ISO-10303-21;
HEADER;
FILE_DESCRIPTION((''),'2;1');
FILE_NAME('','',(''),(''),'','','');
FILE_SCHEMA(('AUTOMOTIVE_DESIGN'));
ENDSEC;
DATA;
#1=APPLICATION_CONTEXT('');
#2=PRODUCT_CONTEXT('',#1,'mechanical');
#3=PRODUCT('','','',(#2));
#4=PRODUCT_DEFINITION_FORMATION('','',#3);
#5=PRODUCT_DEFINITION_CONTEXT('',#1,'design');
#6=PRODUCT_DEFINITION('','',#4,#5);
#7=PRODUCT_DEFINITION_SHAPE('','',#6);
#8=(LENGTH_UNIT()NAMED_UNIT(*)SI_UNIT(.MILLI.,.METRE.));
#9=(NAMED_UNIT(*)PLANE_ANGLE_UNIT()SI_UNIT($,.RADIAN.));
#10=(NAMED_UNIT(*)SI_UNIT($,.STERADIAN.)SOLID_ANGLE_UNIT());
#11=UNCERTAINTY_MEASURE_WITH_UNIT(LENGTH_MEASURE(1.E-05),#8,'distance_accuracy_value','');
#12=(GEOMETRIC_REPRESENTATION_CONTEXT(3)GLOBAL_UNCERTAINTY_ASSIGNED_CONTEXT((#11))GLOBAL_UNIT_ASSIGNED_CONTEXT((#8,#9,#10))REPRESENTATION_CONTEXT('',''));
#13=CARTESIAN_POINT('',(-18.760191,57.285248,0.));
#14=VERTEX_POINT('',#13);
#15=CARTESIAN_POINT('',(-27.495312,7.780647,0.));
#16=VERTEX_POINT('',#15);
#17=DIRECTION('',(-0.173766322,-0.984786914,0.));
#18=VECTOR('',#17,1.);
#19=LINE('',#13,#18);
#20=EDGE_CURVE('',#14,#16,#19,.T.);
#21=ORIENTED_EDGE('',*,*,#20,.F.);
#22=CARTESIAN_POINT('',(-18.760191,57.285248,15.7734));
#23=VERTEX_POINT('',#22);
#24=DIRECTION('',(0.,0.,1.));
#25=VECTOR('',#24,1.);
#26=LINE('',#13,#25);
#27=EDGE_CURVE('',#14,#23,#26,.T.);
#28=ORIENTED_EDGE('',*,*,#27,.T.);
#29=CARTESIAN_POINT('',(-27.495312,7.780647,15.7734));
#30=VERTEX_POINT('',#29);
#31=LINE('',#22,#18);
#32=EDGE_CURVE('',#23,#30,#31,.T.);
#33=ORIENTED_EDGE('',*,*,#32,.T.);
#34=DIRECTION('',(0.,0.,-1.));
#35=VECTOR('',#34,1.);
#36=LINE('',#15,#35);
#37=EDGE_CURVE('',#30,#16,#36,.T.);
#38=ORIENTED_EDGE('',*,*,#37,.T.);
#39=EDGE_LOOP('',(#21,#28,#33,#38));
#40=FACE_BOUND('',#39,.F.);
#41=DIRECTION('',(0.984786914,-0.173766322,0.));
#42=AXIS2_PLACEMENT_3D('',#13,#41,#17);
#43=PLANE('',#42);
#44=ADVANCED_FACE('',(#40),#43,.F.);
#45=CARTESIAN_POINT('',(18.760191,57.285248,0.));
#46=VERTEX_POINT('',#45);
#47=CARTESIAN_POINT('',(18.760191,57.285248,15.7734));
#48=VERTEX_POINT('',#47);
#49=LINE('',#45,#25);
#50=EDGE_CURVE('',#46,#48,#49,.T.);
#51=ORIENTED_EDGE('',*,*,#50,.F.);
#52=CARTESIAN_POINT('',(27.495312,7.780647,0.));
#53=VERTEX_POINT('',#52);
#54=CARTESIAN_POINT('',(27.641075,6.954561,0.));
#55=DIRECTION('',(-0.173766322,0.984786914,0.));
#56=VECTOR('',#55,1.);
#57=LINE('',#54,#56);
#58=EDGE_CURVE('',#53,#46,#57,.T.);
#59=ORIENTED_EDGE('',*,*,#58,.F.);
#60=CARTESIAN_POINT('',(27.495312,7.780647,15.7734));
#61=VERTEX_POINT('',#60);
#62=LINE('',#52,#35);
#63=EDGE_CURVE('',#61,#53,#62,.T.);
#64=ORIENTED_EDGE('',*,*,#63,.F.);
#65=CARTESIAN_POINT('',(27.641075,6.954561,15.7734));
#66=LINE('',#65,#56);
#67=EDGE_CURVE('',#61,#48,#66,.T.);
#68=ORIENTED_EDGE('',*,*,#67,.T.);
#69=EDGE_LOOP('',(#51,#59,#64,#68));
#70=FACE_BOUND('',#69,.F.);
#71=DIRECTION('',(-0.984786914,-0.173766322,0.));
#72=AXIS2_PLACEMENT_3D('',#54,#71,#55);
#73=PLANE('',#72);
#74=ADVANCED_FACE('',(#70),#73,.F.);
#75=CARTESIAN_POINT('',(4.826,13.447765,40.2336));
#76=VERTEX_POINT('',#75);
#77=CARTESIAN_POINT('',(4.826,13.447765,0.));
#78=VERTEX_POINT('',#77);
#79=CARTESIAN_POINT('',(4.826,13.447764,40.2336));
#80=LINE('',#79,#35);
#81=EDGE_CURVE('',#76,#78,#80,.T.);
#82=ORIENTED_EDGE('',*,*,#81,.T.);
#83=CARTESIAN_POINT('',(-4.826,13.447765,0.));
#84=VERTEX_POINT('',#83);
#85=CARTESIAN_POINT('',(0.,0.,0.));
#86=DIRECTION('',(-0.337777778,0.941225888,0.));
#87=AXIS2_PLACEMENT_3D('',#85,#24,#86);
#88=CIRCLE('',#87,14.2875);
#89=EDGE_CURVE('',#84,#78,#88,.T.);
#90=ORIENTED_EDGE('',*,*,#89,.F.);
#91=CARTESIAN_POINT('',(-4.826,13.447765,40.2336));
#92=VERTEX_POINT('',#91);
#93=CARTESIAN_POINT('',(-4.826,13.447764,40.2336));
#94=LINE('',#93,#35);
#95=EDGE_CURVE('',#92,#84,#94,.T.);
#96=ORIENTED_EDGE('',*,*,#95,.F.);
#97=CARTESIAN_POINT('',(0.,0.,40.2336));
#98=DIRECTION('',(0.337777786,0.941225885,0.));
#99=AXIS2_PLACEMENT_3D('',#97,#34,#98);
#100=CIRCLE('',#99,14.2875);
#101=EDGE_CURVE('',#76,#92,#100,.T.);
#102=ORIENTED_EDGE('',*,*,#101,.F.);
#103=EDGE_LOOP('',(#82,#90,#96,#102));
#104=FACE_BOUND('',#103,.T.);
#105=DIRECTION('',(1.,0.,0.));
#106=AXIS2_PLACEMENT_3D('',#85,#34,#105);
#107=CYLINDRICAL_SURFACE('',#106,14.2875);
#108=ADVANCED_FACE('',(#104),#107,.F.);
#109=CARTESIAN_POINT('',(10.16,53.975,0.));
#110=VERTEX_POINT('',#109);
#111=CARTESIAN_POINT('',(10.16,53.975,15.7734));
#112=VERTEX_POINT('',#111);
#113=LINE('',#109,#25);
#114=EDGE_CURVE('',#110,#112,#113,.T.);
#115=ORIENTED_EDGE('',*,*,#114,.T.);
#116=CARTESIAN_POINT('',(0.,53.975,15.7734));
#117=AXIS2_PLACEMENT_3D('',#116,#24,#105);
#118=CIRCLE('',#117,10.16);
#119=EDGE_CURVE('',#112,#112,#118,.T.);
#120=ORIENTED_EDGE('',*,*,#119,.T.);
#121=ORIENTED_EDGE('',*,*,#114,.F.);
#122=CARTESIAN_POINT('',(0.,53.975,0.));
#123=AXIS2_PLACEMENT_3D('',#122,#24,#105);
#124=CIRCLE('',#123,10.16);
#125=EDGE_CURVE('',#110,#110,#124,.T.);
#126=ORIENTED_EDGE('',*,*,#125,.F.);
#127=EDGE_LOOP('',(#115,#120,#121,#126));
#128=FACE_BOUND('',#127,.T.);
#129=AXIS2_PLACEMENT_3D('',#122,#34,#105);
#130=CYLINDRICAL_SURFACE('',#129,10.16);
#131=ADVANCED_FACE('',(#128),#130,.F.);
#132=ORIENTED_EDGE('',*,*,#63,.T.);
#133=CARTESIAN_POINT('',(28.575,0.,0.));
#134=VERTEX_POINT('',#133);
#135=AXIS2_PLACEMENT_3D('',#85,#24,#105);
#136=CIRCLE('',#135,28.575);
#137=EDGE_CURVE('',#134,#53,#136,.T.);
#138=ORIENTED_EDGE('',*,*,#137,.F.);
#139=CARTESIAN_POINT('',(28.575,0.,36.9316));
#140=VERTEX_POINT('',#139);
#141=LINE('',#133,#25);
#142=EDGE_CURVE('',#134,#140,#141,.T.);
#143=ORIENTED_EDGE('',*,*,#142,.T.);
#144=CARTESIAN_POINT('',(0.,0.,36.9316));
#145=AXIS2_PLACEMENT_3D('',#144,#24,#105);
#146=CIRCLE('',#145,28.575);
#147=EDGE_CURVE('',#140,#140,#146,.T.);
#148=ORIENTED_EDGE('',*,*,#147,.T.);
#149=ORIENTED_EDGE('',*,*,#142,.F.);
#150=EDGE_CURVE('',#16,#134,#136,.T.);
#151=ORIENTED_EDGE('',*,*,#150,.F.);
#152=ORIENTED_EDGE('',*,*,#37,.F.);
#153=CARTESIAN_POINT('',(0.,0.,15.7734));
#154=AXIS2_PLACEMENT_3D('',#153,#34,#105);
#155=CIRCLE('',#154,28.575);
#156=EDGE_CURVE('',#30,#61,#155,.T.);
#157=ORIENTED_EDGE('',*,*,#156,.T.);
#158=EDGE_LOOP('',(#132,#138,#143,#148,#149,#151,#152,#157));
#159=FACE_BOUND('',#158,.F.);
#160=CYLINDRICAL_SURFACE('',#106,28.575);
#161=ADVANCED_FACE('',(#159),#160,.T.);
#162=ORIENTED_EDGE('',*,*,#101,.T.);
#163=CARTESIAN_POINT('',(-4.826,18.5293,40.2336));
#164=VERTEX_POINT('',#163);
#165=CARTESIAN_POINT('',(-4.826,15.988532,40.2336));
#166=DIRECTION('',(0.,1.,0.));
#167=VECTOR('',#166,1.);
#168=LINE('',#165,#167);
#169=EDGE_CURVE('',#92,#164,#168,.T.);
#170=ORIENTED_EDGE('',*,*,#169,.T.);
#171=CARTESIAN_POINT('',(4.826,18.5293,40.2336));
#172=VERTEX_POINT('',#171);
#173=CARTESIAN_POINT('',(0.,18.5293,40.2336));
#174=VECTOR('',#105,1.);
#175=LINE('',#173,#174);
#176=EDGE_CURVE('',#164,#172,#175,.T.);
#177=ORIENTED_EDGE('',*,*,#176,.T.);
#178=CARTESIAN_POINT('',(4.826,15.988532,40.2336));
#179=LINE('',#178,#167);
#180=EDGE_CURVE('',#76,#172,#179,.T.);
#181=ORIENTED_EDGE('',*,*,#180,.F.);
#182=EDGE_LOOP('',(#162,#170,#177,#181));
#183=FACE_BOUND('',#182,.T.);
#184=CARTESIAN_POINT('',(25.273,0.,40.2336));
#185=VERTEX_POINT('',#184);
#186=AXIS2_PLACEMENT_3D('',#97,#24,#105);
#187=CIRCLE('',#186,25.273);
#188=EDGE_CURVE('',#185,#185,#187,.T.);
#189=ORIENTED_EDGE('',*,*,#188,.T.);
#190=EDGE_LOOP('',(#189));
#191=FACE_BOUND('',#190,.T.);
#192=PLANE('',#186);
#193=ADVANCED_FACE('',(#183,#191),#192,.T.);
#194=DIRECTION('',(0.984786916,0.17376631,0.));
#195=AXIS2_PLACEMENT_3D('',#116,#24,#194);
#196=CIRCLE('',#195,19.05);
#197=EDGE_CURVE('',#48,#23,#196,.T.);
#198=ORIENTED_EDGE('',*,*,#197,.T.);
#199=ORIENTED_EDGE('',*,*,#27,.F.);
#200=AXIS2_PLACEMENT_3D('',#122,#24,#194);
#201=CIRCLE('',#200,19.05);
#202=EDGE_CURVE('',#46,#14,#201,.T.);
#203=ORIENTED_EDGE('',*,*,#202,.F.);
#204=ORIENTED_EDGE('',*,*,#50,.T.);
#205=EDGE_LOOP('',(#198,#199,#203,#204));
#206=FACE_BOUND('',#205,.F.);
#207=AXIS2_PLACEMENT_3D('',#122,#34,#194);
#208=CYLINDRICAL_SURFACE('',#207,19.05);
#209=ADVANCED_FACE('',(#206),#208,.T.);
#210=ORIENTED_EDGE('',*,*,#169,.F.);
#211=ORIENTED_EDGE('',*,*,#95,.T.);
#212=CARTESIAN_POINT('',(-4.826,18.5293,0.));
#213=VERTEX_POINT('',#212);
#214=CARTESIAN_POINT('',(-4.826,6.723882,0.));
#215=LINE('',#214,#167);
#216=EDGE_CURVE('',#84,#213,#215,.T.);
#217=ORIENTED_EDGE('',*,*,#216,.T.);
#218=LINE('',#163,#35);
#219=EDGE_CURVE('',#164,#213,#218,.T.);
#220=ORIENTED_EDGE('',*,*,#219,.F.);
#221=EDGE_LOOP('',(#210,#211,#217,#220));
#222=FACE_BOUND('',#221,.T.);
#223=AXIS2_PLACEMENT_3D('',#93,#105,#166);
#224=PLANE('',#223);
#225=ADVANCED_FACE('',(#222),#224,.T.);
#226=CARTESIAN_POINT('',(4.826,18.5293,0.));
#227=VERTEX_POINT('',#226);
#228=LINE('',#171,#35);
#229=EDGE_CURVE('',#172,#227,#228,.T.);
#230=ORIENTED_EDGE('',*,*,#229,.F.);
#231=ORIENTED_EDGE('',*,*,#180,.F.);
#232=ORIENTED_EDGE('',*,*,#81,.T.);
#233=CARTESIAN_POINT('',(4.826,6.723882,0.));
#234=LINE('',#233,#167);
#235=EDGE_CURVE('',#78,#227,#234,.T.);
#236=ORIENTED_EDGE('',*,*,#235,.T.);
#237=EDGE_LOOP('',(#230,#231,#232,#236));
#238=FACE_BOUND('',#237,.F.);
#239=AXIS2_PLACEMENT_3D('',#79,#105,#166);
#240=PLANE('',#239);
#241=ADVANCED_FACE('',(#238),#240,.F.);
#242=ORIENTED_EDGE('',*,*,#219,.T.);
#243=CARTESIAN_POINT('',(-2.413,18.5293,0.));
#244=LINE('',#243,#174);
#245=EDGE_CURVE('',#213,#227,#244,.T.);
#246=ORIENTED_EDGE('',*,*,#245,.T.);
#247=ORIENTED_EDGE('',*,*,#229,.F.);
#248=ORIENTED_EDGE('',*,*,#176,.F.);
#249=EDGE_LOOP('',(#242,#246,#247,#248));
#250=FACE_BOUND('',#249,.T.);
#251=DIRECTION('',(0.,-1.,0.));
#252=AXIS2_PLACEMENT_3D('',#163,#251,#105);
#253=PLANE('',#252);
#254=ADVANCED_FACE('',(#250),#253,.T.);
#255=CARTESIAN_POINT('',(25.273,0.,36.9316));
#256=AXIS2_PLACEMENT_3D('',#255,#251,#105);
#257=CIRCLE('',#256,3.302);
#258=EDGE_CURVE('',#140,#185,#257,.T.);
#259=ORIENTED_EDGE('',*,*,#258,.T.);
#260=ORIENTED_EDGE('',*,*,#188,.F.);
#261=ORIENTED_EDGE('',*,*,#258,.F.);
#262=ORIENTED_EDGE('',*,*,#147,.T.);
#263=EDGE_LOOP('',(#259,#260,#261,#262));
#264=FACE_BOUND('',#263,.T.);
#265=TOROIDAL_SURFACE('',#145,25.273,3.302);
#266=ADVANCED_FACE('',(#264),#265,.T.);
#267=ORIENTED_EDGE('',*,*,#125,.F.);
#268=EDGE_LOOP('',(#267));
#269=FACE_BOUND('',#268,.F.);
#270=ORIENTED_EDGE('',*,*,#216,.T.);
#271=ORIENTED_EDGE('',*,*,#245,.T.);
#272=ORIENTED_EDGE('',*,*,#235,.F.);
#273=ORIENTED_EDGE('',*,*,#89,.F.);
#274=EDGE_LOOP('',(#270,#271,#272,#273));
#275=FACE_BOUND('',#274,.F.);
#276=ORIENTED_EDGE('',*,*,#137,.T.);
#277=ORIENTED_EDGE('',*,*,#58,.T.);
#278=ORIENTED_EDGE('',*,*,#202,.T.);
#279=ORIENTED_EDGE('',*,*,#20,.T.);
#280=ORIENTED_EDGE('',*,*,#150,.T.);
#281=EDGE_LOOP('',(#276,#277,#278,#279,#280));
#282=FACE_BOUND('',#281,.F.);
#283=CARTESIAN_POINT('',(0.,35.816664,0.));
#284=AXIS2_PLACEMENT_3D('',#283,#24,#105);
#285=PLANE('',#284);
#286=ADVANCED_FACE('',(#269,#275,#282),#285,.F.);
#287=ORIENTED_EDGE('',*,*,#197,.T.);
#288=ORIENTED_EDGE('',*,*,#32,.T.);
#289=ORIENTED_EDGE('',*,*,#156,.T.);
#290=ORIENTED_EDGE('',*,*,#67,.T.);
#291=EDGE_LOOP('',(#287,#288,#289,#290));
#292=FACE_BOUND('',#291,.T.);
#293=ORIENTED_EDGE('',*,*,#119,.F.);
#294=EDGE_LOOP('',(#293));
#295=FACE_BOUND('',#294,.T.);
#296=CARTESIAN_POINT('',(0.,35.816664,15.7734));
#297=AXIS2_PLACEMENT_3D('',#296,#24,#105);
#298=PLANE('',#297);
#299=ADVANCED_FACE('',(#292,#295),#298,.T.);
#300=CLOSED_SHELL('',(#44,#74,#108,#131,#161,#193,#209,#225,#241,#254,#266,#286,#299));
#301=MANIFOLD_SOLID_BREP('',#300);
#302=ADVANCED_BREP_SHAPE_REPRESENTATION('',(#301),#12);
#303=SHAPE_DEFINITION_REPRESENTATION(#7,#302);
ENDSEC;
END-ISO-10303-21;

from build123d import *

# Parameters (mm, degrees)
F0_R     = 28.575
F0_R_2   = 14.2875
F1_DEPTH = 40.2336
F2_W     = 9.652
F2_H     = 5.081535
F3_DEPTH = 40.2346
F4_R     = 10.16
F5_DEPTH = 15.7734
F6_R     = 3.302


with BuildPart() as f1:
    # F0 (on Top) → F1 (new body)
    with BuildSketch(Plane.XY):
        Circle(F0_R)
        Circle(F0_R_2, mode=Mode.SUBTRACT)
    extrude(amount=F1_DEPTH)

    # F2 (on face) → F3 (cut, through all)
    with BuildSketch(Plane.XY.offset(40.2336)):
        with Locations((0, 15.988532)):
            Rectangle(F2_W, F2_H)
    extrude(amount=-F3_DEPTH, mode=Mode.SUBTRACT)

    # F4 (on Top) → F5 (join)
    with BuildSketch(Plane.XY):
        with BuildLine():
            ThreePointArc((18.760191, 57.285248), (0, 73.025), (-18.760191, 57.285248))
            Line((-18.760191, 57.285248), (-27.641075, 6.954561))
            ThreePointArc((-27.641075, 6.954561), (0, 28.502543), (27.641075, 6.954561))
            Line((27.641075, 6.954561), (18.760191, 57.285248))
        make_face()
        with Locations((0, 53.975)):
            Circle(F4_R, mode=Mode.SUBTRACT)
    extrude(amount=F5_DEPTH)

    # F6
    f6_edges = [f1.edges().sort_by_distance(p)[0] for p in [
        (-28.575, 0, 40.2336),
    ]]
    fillet(f6_edges, radius=F6_R)


solid = f1.part
